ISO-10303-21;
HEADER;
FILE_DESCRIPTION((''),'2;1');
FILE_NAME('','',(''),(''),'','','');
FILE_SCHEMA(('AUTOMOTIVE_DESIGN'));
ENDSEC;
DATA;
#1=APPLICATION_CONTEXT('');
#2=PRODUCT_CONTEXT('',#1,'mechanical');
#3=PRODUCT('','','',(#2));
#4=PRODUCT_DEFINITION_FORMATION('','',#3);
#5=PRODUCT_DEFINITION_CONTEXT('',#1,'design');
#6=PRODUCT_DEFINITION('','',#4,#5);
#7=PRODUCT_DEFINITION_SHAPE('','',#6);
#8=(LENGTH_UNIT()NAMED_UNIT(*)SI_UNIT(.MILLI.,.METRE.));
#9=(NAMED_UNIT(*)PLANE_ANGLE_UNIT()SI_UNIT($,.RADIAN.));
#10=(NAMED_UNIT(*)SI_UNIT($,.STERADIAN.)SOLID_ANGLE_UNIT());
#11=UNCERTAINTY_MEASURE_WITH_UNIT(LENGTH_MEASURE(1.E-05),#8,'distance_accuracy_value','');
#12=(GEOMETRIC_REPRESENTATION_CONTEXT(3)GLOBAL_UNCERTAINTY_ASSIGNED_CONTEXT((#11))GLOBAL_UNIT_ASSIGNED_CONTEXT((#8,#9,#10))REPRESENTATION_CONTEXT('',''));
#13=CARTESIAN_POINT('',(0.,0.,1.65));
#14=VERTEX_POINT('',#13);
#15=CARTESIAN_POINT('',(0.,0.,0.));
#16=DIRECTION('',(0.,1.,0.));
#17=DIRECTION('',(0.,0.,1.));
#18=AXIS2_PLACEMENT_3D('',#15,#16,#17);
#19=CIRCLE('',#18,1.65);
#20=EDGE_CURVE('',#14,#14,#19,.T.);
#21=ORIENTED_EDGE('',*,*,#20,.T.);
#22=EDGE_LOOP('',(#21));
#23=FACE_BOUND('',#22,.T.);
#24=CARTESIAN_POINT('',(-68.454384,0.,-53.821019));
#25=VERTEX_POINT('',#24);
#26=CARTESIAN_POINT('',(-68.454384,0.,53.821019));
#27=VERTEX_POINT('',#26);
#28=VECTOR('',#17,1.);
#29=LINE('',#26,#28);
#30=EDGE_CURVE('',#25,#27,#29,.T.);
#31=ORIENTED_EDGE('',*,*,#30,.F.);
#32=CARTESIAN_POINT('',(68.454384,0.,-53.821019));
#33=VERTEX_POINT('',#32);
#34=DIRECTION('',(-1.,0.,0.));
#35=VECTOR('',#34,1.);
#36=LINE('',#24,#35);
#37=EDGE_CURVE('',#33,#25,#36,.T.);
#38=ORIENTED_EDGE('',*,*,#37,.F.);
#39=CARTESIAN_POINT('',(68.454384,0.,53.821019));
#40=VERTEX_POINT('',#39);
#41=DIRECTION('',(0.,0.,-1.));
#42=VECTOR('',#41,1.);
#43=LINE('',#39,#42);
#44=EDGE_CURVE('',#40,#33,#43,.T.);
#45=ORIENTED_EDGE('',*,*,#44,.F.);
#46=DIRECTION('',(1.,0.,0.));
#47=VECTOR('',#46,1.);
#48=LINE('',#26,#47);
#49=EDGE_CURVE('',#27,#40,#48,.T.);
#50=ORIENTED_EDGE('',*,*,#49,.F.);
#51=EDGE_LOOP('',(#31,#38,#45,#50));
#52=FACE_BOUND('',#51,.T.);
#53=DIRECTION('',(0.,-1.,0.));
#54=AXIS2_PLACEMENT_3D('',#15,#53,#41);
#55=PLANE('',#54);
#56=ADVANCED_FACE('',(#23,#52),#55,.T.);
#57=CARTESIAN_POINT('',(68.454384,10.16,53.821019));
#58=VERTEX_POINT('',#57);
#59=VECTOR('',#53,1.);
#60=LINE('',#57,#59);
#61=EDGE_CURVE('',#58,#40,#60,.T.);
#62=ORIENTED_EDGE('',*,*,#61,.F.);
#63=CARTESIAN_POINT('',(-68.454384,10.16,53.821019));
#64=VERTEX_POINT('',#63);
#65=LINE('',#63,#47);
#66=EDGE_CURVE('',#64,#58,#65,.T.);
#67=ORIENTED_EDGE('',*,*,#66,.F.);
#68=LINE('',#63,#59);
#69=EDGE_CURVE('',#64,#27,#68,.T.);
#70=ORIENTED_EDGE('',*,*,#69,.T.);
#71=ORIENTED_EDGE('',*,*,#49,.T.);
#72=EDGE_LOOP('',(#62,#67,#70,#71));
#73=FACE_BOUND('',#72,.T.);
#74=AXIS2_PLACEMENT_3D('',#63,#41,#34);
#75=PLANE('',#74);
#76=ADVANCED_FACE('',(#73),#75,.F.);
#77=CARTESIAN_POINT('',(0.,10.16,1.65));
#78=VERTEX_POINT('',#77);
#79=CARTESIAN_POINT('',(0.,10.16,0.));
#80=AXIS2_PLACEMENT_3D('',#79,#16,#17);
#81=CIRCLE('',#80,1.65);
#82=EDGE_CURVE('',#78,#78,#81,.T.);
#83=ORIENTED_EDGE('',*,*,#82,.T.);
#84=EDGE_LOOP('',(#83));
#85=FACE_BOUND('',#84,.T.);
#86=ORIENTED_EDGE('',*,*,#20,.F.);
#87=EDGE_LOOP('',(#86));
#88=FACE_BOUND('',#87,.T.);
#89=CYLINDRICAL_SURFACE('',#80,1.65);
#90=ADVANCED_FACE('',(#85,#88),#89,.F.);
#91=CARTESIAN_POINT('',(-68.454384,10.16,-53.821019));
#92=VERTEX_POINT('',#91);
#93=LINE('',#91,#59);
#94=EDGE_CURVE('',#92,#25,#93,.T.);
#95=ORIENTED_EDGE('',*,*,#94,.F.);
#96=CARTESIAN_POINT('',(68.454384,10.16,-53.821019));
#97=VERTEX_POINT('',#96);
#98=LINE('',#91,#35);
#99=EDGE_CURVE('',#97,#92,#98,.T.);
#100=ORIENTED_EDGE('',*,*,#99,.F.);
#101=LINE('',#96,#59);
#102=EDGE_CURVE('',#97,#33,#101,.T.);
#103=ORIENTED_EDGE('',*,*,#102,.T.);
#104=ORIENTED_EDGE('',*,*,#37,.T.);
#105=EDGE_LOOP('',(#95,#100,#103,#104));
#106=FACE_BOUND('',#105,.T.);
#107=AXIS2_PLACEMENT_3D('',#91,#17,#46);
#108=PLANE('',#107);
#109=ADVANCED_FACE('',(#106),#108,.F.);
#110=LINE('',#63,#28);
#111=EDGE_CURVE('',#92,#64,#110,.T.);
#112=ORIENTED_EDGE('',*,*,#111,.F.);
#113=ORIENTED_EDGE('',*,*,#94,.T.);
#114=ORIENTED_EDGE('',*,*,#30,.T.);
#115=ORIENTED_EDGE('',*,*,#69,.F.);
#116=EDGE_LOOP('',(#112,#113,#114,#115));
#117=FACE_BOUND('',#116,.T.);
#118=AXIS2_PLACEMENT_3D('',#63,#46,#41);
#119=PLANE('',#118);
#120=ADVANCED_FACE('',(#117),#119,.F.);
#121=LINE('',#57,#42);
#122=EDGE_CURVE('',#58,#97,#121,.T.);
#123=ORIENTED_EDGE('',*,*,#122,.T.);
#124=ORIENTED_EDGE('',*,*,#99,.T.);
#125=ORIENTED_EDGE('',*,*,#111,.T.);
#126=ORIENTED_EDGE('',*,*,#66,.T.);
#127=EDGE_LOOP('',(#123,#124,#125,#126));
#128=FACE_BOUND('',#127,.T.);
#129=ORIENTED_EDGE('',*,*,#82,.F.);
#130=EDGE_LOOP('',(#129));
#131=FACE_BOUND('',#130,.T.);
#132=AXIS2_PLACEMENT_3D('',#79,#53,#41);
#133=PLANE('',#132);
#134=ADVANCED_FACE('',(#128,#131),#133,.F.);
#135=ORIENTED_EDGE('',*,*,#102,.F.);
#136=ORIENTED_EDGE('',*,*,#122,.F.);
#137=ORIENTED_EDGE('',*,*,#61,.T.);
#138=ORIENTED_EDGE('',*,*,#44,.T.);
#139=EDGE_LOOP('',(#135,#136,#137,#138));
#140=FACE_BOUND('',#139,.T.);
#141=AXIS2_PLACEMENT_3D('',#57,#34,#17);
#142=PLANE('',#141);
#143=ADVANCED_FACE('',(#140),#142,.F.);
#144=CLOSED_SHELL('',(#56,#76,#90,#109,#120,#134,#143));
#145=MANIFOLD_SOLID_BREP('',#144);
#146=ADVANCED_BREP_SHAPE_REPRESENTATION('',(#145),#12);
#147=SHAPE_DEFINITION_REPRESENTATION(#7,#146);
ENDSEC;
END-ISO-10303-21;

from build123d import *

# Parameters (mm, degrees)
SKETCH1_W                   = 136.90876716
SKETCH1_H                   = 107.642037948
BOSS_EXTRUDE1_DEPTH         = 10.16
TAP_DRILL_FOR_M4X0_7_TAP1_D = 3.3


with BuildPart() as part:
    # Sketch1 → Boss-Extrude1 (new body)
    with BuildSketch(Plane(origin=(0, 0, 0), x_dir=(1, 0, 0), z_dir=(0, 1, 0))):
        Rectangle(SKETCH1_W, SKETCH1_H)
    extrude(amount=BOSS_EXTRUDE1_DEPTH)

    # Tap Drill for M4x0.7 Tap1 (through all)
    with Locations(Plane(origin=(0, 10.16, 0), x_dir=(1, 0, 0), z_dir=(0, 1, 0))):
        with Locations((0, 0)):
            Hole(TAP_DRILL_FOR_M4X0_7_TAP1_D / 2)


solid = part.part
